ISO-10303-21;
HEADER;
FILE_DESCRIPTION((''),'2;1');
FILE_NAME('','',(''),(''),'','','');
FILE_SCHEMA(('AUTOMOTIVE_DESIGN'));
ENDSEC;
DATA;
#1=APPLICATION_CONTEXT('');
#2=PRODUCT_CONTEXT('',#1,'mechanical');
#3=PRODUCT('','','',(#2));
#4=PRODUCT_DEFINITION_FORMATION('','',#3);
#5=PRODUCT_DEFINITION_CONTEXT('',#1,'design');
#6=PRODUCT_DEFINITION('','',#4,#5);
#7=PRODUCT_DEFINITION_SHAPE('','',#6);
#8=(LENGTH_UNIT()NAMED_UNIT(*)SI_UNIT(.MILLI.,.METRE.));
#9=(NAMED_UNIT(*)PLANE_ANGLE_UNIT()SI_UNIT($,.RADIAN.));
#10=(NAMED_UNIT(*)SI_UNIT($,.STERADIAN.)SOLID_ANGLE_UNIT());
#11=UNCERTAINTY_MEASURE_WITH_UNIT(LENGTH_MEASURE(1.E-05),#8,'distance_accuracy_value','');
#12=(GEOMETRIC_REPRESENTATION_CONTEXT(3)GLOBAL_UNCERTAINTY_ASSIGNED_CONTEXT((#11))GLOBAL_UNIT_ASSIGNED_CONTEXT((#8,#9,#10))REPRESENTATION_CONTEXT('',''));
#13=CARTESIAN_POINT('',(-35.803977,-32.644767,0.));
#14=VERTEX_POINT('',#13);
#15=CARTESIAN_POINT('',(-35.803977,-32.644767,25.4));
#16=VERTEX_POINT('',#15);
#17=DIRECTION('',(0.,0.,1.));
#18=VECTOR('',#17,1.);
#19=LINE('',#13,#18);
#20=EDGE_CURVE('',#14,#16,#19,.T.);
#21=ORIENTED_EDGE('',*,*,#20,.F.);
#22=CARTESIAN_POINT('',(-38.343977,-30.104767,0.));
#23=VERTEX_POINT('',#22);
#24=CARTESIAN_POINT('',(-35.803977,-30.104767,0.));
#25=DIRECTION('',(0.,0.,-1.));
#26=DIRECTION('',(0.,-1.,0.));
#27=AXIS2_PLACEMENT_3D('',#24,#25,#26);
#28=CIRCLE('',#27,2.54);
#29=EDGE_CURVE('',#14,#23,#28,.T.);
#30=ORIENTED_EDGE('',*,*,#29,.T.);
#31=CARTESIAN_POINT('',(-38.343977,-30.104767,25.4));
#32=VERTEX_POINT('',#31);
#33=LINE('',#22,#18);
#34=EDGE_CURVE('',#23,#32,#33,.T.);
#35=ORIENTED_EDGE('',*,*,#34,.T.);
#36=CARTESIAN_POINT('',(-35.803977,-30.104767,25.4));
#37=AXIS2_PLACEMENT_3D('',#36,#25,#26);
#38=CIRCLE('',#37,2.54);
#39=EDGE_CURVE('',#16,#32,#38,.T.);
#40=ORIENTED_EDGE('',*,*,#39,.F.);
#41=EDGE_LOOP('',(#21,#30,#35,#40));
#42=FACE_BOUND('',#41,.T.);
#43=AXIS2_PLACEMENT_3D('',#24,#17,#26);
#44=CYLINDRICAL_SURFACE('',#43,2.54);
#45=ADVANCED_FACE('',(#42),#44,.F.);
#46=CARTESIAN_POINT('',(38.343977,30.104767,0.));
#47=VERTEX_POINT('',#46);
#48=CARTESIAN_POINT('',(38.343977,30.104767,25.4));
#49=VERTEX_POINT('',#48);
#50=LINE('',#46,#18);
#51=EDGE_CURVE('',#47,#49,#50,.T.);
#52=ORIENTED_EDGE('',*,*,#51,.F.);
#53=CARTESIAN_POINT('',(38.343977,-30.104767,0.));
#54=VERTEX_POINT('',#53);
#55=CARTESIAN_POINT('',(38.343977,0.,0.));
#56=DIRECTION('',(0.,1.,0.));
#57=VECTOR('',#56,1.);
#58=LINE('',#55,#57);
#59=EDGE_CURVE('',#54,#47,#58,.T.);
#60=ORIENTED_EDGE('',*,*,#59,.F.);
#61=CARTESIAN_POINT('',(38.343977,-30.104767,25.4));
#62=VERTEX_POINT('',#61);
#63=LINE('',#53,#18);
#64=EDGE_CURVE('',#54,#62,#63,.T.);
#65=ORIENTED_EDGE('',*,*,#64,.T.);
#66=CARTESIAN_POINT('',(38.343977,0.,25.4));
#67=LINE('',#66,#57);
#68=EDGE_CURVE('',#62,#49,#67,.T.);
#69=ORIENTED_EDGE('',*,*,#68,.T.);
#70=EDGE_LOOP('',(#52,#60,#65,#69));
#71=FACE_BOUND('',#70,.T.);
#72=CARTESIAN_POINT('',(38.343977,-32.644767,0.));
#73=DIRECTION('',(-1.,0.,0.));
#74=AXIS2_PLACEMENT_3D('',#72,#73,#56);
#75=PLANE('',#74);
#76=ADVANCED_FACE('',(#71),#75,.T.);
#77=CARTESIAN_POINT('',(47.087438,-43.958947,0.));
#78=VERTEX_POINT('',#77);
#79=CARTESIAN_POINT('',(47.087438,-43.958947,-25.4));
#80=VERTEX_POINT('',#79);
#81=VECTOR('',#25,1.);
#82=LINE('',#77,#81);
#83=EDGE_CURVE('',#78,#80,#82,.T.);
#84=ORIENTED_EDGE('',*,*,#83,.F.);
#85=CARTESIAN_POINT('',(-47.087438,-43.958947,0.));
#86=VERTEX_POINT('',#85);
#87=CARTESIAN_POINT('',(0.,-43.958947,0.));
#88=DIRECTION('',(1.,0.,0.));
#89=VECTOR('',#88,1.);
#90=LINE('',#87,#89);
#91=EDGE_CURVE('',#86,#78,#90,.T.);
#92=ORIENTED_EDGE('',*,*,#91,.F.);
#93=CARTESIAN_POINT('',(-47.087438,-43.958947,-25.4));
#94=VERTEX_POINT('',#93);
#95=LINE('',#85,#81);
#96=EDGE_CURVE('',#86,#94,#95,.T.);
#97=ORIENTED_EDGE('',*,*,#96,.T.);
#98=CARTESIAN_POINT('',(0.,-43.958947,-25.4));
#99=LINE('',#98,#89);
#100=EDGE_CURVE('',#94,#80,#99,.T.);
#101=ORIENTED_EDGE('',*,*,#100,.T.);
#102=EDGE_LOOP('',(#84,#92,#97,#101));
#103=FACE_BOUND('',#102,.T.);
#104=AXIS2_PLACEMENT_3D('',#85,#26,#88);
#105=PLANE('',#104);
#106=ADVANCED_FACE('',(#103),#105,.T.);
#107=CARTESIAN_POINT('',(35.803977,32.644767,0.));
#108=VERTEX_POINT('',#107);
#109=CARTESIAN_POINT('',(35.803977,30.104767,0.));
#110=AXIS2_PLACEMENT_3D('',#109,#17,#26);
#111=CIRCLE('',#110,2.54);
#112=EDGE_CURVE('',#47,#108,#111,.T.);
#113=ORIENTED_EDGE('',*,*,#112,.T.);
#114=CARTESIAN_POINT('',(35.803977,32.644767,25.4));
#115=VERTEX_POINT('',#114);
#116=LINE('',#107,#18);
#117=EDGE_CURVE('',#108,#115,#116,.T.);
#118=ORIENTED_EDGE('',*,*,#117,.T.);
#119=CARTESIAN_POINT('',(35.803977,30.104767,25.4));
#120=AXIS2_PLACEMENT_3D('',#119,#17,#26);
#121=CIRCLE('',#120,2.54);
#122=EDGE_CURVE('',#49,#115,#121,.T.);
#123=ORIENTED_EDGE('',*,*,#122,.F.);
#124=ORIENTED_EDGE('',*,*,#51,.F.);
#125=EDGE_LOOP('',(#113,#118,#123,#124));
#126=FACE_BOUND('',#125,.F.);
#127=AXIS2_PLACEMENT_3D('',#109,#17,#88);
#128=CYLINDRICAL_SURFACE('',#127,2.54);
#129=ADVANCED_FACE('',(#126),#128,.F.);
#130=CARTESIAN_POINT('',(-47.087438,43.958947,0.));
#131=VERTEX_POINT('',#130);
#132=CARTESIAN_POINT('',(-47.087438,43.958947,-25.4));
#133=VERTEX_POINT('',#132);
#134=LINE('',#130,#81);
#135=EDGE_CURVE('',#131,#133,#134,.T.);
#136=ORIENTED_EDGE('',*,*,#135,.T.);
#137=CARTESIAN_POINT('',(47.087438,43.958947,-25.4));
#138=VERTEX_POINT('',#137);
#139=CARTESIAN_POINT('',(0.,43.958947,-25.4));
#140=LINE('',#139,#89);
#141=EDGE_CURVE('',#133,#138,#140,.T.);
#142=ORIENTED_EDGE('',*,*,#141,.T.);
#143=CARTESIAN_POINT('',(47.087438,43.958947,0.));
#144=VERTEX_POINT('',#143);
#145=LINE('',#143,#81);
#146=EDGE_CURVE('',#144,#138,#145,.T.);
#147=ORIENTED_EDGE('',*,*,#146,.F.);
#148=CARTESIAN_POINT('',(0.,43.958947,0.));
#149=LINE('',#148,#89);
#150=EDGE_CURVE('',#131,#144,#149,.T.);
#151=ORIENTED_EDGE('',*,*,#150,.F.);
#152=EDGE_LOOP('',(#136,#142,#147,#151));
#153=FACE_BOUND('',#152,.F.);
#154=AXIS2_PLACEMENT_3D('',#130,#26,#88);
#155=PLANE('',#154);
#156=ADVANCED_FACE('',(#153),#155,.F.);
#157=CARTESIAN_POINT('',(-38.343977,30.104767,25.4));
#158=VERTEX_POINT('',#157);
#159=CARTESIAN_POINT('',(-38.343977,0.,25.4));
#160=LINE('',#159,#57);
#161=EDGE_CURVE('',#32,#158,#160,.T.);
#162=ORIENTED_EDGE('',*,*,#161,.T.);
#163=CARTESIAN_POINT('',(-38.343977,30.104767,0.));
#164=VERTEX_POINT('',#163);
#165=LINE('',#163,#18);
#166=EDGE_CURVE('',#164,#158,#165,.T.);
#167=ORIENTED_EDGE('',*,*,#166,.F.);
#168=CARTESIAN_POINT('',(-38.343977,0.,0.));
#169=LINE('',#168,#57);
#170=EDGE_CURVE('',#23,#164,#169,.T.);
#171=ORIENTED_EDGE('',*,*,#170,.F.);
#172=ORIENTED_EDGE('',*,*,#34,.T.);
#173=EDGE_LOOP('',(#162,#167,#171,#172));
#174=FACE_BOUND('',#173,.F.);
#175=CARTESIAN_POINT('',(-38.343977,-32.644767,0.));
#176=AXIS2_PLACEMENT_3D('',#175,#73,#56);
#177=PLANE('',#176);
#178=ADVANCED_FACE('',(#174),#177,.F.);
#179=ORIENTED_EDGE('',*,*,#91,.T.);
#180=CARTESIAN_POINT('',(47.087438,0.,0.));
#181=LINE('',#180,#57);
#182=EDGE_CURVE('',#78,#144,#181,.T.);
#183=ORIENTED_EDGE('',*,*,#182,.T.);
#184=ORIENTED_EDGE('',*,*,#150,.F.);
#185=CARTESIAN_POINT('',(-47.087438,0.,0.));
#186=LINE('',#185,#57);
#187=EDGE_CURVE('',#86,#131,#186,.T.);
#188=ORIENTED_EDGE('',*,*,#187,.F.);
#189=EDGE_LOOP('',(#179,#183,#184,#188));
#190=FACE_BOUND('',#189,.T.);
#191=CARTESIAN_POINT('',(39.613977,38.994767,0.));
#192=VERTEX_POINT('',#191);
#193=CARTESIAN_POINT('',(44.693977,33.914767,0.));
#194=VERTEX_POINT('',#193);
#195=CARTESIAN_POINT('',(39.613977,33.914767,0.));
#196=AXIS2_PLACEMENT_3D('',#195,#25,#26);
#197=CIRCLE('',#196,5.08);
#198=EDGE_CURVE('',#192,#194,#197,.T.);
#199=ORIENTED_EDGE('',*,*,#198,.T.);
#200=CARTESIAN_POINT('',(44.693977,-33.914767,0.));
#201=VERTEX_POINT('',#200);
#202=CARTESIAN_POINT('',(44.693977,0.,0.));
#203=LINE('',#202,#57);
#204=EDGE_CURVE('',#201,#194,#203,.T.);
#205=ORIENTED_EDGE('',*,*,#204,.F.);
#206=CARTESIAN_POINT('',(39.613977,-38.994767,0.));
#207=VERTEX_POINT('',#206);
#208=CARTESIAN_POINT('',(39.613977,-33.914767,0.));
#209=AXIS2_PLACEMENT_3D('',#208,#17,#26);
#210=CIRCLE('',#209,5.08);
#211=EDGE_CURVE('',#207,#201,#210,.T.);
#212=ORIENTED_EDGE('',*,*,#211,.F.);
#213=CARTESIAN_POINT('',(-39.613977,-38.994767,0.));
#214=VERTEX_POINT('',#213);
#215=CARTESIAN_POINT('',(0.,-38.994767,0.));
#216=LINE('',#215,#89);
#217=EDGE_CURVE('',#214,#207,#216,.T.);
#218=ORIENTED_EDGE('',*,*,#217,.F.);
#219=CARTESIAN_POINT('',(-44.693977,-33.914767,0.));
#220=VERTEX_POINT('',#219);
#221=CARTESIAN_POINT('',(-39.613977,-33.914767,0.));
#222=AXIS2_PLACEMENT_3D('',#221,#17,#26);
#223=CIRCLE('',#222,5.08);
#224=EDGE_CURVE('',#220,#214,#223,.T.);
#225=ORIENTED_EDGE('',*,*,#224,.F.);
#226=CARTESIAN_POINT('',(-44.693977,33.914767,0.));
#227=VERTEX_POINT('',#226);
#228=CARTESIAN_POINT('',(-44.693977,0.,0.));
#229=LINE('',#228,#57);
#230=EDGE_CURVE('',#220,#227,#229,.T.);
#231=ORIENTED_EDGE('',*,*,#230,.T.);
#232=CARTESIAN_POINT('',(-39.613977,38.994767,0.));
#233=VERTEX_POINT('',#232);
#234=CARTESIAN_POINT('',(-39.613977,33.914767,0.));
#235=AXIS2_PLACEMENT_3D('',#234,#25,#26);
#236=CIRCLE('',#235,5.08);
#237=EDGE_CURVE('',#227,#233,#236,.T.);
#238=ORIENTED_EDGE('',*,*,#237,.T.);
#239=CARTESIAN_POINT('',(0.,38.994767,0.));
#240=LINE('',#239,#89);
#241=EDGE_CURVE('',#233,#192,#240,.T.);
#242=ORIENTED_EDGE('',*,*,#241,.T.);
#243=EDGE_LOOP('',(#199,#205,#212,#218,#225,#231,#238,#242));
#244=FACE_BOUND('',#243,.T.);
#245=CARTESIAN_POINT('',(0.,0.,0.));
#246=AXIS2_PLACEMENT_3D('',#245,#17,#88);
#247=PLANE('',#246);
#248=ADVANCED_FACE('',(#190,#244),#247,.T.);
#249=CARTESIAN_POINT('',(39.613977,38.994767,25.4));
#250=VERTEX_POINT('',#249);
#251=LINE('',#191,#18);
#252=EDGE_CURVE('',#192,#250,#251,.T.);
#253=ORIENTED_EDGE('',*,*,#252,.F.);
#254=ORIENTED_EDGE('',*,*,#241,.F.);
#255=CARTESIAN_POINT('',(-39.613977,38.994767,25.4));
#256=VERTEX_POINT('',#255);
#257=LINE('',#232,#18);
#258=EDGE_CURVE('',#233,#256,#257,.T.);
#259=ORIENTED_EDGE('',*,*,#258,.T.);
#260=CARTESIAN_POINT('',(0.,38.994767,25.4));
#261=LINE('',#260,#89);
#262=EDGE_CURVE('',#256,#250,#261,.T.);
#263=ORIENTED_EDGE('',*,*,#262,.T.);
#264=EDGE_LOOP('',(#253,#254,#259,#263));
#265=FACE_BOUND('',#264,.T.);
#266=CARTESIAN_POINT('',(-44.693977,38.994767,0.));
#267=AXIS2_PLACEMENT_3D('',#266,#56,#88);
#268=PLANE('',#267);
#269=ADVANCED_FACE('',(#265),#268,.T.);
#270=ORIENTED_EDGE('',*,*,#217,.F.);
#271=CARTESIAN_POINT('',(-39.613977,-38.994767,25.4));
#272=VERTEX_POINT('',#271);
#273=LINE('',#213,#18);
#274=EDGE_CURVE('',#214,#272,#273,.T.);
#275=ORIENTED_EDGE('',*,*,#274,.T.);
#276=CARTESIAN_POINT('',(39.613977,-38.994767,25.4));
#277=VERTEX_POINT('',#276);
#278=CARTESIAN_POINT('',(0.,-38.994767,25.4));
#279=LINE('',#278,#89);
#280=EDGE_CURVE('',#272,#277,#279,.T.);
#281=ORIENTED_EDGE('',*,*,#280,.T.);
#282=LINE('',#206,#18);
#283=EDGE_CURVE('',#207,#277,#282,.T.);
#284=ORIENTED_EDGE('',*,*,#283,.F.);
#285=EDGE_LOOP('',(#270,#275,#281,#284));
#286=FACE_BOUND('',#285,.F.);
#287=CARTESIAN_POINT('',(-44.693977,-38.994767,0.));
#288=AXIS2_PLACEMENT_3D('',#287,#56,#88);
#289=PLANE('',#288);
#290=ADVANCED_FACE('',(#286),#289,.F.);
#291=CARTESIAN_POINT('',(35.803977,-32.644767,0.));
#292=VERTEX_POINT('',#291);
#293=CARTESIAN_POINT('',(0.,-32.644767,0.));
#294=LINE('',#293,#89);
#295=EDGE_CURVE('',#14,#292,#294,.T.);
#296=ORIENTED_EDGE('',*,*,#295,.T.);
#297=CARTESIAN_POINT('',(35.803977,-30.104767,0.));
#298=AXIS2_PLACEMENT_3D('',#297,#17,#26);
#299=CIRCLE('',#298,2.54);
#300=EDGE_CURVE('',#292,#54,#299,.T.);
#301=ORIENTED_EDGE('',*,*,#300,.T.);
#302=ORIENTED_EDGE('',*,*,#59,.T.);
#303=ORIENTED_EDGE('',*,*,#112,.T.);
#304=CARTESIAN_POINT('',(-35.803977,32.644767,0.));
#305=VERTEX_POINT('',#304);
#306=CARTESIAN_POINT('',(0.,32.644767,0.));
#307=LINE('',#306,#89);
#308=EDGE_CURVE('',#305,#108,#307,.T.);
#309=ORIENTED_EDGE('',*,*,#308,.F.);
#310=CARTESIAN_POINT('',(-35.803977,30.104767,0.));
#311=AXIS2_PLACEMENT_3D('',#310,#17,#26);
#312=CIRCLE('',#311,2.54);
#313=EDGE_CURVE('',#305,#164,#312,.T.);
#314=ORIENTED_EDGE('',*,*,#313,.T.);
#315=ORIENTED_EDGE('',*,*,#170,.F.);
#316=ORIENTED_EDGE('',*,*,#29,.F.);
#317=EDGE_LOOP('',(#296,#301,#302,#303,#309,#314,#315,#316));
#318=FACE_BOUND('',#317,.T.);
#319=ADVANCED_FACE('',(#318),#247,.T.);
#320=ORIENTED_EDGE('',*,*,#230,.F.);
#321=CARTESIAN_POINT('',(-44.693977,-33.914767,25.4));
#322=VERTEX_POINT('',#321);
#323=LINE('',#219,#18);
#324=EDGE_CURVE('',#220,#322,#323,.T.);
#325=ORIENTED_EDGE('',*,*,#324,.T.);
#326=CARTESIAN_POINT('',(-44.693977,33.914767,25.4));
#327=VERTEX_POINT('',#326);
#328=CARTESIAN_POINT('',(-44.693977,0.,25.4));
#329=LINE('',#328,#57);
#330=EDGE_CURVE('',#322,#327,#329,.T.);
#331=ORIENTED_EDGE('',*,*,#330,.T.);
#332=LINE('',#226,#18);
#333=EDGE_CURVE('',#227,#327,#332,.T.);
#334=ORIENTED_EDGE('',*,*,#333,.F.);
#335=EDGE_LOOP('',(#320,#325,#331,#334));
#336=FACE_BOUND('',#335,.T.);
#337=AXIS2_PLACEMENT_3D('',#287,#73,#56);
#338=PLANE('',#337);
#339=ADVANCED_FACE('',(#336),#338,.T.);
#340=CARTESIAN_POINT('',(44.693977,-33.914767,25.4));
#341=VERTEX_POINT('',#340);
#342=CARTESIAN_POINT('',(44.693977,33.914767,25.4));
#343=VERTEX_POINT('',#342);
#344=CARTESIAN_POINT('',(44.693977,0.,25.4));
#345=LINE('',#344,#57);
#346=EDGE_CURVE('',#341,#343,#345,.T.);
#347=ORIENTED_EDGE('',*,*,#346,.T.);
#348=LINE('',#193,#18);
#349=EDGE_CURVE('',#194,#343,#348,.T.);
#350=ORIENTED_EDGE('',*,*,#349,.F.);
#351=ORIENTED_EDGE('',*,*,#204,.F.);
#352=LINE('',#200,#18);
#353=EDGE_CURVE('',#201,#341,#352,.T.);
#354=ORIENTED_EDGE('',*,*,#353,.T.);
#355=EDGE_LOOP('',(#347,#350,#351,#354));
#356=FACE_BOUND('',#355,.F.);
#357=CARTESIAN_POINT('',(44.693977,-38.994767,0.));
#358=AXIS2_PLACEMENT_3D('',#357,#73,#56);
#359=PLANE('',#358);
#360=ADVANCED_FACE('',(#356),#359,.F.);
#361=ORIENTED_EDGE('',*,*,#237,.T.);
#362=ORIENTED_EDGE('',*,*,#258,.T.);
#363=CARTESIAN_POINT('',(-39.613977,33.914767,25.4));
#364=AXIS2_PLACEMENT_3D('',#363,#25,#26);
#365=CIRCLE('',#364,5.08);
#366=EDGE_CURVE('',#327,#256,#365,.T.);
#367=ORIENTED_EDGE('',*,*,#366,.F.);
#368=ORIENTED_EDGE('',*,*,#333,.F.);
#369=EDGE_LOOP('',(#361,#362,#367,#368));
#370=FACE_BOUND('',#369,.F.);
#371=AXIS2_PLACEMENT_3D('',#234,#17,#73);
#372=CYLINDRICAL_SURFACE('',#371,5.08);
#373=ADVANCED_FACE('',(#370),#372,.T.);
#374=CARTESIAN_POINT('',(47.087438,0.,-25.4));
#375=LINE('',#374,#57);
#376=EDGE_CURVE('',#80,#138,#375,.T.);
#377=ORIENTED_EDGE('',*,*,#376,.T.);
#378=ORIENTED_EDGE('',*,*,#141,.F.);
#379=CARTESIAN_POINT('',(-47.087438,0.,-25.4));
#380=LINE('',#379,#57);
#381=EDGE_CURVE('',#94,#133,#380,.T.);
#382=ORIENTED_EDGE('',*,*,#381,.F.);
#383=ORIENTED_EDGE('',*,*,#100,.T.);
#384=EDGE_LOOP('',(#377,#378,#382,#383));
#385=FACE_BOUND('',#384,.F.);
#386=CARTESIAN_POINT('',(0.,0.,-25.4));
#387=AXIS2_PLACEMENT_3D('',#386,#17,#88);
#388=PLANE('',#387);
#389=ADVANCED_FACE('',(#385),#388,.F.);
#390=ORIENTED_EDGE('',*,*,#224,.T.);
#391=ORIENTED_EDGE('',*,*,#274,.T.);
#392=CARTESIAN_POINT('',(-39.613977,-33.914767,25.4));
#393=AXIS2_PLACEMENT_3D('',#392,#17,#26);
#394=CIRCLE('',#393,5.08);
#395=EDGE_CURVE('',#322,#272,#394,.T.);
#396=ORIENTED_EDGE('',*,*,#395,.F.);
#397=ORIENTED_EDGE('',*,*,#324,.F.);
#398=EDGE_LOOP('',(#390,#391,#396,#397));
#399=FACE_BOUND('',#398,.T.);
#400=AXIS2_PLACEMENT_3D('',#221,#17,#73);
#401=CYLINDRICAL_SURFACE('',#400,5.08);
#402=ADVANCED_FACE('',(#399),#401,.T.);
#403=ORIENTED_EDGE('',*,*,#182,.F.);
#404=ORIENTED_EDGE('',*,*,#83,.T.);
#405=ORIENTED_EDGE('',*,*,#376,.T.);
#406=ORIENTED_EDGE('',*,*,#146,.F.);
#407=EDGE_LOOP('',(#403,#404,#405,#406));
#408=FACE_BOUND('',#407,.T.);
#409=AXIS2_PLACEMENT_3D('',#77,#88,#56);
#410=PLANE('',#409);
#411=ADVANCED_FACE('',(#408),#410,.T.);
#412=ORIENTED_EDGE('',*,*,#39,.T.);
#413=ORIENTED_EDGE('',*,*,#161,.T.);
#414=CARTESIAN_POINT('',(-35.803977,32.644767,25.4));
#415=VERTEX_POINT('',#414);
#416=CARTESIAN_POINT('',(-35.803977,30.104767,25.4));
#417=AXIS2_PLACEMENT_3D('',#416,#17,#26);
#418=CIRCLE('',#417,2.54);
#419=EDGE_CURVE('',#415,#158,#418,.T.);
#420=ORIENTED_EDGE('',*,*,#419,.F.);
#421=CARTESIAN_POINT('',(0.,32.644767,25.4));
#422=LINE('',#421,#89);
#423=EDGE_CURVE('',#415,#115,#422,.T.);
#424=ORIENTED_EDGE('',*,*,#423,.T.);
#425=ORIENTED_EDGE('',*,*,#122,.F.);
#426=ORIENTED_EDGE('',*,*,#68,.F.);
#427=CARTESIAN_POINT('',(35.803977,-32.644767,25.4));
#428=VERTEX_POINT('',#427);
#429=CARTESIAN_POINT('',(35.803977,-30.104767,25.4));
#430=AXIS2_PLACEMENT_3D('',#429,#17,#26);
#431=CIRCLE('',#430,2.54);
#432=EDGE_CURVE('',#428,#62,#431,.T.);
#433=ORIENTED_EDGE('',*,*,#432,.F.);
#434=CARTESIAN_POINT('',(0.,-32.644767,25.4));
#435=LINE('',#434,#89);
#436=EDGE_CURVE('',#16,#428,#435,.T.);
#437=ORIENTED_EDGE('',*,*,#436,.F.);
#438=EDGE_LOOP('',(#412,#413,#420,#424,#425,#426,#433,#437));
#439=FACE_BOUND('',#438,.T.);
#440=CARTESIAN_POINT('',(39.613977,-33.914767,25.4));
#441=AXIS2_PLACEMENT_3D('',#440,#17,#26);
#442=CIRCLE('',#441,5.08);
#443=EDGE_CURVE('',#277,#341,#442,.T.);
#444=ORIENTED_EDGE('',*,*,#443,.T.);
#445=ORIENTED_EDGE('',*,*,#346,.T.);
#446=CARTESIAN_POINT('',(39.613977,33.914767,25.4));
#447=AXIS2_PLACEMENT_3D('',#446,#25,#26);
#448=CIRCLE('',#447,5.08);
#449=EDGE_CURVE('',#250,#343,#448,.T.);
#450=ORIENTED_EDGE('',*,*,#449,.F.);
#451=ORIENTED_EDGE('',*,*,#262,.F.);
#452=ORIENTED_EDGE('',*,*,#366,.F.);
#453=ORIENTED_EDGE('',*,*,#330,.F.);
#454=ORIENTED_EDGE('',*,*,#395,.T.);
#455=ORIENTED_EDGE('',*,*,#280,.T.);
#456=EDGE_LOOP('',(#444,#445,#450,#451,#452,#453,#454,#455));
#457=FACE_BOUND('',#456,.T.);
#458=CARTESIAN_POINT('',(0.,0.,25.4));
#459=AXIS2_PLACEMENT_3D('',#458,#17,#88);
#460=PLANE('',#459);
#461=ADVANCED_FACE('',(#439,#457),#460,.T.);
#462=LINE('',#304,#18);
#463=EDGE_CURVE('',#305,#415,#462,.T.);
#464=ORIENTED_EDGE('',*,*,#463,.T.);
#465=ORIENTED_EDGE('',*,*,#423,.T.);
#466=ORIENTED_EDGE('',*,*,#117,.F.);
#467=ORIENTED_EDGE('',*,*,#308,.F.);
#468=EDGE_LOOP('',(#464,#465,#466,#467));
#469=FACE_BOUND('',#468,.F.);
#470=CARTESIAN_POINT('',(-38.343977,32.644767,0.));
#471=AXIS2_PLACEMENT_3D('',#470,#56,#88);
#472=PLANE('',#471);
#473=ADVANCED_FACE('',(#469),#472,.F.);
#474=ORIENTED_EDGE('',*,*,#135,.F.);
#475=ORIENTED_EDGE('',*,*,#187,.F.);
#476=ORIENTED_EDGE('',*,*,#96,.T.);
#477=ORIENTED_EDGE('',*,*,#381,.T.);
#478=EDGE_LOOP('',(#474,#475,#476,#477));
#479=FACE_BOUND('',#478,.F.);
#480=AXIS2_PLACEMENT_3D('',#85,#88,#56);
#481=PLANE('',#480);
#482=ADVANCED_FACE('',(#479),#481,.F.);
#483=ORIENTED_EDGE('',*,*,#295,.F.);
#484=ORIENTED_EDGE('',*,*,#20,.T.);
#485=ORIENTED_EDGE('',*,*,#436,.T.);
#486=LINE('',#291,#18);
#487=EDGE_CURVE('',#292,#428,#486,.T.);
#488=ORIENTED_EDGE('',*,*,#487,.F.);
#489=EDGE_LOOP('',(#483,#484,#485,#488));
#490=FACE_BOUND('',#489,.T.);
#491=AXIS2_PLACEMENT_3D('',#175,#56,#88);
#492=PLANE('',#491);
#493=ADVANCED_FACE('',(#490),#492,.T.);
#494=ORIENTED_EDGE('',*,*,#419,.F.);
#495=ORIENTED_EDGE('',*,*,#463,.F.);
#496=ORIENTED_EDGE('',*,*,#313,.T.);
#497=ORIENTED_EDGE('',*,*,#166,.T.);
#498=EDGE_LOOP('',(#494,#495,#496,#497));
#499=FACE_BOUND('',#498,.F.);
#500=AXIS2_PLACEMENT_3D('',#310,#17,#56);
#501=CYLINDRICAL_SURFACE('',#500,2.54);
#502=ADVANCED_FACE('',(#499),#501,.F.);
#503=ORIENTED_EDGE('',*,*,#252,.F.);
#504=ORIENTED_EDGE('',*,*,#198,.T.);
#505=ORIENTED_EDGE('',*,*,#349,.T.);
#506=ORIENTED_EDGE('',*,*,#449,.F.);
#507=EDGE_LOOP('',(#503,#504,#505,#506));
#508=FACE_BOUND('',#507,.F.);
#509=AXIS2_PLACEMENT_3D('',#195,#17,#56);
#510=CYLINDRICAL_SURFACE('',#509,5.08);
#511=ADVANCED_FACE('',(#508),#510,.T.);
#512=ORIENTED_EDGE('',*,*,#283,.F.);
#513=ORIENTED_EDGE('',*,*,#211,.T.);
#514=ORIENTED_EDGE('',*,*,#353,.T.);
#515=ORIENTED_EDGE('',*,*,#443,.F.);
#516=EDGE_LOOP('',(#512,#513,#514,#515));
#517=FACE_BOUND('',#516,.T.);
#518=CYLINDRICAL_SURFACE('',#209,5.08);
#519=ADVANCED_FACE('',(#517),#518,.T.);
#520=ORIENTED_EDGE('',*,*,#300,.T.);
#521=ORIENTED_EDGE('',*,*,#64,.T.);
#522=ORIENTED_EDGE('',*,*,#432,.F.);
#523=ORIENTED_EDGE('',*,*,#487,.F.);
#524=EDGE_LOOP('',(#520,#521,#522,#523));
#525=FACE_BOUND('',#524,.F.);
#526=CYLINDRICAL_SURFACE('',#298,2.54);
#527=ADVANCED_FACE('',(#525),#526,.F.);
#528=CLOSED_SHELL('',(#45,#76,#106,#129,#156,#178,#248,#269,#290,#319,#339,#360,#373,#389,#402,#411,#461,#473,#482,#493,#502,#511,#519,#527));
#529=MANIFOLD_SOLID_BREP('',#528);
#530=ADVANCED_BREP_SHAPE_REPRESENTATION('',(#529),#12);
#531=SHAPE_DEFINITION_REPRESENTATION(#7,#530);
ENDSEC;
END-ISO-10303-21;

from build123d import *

# Parameters (mm, degrees)
F0_W     = 89.387954
F0_H     = 77.989534
F0_W_2   = 76.687954
F0_H_2   = 65.289534
F1_DEPTH = 25.4
F2_R     = 5.08
F3_R     = 2.54
F4_W     = 94.174876
F4_H     = 87.917894
F5_DEPTH = 25.4


with BuildPart() as f1:
    # F0 (on Top) → F1 (new body)
    with BuildSketch(Plane.XY):
        Rectangle(F0_W, F0_H)
        Rectangle(F0_W_2, F0_H_2, mode=Mode.SUBTRACT)
    extrude(amount=F1_DEPTH)

    # F2
    f2_edges = [f1.edges().sort_by_distance(p)[0] for p in [
        (-44.693977, -38.994767, 12.7),
        (44.693977, -38.994767, 12.7),
        (44.693977, 38.994767, 12.7),
        (-44.693977, 38.994767, 12.7),
    ]]
    fillet(f2_edges, radius=F2_R)

    # F3
    f3_edges = [f1.edges().sort_by_distance(p)[0] for p in [
        (-38.343977, 32.644767, 12.7),
        (38.343977, 32.644767, 12.7),
        (38.343977, -32.644767, 12.7),
        (-38.343977, -32.644767, 12.7),
    ]]
    fillet(f3_edges, radius=F3_R)

    # F4 (on Top) → F5 (join)
    with BuildSketch(Plane.XY):
        Rectangle(F4_W, F4_H)
    extrude(amount=-F5_DEPTH)


solid = f1.part
